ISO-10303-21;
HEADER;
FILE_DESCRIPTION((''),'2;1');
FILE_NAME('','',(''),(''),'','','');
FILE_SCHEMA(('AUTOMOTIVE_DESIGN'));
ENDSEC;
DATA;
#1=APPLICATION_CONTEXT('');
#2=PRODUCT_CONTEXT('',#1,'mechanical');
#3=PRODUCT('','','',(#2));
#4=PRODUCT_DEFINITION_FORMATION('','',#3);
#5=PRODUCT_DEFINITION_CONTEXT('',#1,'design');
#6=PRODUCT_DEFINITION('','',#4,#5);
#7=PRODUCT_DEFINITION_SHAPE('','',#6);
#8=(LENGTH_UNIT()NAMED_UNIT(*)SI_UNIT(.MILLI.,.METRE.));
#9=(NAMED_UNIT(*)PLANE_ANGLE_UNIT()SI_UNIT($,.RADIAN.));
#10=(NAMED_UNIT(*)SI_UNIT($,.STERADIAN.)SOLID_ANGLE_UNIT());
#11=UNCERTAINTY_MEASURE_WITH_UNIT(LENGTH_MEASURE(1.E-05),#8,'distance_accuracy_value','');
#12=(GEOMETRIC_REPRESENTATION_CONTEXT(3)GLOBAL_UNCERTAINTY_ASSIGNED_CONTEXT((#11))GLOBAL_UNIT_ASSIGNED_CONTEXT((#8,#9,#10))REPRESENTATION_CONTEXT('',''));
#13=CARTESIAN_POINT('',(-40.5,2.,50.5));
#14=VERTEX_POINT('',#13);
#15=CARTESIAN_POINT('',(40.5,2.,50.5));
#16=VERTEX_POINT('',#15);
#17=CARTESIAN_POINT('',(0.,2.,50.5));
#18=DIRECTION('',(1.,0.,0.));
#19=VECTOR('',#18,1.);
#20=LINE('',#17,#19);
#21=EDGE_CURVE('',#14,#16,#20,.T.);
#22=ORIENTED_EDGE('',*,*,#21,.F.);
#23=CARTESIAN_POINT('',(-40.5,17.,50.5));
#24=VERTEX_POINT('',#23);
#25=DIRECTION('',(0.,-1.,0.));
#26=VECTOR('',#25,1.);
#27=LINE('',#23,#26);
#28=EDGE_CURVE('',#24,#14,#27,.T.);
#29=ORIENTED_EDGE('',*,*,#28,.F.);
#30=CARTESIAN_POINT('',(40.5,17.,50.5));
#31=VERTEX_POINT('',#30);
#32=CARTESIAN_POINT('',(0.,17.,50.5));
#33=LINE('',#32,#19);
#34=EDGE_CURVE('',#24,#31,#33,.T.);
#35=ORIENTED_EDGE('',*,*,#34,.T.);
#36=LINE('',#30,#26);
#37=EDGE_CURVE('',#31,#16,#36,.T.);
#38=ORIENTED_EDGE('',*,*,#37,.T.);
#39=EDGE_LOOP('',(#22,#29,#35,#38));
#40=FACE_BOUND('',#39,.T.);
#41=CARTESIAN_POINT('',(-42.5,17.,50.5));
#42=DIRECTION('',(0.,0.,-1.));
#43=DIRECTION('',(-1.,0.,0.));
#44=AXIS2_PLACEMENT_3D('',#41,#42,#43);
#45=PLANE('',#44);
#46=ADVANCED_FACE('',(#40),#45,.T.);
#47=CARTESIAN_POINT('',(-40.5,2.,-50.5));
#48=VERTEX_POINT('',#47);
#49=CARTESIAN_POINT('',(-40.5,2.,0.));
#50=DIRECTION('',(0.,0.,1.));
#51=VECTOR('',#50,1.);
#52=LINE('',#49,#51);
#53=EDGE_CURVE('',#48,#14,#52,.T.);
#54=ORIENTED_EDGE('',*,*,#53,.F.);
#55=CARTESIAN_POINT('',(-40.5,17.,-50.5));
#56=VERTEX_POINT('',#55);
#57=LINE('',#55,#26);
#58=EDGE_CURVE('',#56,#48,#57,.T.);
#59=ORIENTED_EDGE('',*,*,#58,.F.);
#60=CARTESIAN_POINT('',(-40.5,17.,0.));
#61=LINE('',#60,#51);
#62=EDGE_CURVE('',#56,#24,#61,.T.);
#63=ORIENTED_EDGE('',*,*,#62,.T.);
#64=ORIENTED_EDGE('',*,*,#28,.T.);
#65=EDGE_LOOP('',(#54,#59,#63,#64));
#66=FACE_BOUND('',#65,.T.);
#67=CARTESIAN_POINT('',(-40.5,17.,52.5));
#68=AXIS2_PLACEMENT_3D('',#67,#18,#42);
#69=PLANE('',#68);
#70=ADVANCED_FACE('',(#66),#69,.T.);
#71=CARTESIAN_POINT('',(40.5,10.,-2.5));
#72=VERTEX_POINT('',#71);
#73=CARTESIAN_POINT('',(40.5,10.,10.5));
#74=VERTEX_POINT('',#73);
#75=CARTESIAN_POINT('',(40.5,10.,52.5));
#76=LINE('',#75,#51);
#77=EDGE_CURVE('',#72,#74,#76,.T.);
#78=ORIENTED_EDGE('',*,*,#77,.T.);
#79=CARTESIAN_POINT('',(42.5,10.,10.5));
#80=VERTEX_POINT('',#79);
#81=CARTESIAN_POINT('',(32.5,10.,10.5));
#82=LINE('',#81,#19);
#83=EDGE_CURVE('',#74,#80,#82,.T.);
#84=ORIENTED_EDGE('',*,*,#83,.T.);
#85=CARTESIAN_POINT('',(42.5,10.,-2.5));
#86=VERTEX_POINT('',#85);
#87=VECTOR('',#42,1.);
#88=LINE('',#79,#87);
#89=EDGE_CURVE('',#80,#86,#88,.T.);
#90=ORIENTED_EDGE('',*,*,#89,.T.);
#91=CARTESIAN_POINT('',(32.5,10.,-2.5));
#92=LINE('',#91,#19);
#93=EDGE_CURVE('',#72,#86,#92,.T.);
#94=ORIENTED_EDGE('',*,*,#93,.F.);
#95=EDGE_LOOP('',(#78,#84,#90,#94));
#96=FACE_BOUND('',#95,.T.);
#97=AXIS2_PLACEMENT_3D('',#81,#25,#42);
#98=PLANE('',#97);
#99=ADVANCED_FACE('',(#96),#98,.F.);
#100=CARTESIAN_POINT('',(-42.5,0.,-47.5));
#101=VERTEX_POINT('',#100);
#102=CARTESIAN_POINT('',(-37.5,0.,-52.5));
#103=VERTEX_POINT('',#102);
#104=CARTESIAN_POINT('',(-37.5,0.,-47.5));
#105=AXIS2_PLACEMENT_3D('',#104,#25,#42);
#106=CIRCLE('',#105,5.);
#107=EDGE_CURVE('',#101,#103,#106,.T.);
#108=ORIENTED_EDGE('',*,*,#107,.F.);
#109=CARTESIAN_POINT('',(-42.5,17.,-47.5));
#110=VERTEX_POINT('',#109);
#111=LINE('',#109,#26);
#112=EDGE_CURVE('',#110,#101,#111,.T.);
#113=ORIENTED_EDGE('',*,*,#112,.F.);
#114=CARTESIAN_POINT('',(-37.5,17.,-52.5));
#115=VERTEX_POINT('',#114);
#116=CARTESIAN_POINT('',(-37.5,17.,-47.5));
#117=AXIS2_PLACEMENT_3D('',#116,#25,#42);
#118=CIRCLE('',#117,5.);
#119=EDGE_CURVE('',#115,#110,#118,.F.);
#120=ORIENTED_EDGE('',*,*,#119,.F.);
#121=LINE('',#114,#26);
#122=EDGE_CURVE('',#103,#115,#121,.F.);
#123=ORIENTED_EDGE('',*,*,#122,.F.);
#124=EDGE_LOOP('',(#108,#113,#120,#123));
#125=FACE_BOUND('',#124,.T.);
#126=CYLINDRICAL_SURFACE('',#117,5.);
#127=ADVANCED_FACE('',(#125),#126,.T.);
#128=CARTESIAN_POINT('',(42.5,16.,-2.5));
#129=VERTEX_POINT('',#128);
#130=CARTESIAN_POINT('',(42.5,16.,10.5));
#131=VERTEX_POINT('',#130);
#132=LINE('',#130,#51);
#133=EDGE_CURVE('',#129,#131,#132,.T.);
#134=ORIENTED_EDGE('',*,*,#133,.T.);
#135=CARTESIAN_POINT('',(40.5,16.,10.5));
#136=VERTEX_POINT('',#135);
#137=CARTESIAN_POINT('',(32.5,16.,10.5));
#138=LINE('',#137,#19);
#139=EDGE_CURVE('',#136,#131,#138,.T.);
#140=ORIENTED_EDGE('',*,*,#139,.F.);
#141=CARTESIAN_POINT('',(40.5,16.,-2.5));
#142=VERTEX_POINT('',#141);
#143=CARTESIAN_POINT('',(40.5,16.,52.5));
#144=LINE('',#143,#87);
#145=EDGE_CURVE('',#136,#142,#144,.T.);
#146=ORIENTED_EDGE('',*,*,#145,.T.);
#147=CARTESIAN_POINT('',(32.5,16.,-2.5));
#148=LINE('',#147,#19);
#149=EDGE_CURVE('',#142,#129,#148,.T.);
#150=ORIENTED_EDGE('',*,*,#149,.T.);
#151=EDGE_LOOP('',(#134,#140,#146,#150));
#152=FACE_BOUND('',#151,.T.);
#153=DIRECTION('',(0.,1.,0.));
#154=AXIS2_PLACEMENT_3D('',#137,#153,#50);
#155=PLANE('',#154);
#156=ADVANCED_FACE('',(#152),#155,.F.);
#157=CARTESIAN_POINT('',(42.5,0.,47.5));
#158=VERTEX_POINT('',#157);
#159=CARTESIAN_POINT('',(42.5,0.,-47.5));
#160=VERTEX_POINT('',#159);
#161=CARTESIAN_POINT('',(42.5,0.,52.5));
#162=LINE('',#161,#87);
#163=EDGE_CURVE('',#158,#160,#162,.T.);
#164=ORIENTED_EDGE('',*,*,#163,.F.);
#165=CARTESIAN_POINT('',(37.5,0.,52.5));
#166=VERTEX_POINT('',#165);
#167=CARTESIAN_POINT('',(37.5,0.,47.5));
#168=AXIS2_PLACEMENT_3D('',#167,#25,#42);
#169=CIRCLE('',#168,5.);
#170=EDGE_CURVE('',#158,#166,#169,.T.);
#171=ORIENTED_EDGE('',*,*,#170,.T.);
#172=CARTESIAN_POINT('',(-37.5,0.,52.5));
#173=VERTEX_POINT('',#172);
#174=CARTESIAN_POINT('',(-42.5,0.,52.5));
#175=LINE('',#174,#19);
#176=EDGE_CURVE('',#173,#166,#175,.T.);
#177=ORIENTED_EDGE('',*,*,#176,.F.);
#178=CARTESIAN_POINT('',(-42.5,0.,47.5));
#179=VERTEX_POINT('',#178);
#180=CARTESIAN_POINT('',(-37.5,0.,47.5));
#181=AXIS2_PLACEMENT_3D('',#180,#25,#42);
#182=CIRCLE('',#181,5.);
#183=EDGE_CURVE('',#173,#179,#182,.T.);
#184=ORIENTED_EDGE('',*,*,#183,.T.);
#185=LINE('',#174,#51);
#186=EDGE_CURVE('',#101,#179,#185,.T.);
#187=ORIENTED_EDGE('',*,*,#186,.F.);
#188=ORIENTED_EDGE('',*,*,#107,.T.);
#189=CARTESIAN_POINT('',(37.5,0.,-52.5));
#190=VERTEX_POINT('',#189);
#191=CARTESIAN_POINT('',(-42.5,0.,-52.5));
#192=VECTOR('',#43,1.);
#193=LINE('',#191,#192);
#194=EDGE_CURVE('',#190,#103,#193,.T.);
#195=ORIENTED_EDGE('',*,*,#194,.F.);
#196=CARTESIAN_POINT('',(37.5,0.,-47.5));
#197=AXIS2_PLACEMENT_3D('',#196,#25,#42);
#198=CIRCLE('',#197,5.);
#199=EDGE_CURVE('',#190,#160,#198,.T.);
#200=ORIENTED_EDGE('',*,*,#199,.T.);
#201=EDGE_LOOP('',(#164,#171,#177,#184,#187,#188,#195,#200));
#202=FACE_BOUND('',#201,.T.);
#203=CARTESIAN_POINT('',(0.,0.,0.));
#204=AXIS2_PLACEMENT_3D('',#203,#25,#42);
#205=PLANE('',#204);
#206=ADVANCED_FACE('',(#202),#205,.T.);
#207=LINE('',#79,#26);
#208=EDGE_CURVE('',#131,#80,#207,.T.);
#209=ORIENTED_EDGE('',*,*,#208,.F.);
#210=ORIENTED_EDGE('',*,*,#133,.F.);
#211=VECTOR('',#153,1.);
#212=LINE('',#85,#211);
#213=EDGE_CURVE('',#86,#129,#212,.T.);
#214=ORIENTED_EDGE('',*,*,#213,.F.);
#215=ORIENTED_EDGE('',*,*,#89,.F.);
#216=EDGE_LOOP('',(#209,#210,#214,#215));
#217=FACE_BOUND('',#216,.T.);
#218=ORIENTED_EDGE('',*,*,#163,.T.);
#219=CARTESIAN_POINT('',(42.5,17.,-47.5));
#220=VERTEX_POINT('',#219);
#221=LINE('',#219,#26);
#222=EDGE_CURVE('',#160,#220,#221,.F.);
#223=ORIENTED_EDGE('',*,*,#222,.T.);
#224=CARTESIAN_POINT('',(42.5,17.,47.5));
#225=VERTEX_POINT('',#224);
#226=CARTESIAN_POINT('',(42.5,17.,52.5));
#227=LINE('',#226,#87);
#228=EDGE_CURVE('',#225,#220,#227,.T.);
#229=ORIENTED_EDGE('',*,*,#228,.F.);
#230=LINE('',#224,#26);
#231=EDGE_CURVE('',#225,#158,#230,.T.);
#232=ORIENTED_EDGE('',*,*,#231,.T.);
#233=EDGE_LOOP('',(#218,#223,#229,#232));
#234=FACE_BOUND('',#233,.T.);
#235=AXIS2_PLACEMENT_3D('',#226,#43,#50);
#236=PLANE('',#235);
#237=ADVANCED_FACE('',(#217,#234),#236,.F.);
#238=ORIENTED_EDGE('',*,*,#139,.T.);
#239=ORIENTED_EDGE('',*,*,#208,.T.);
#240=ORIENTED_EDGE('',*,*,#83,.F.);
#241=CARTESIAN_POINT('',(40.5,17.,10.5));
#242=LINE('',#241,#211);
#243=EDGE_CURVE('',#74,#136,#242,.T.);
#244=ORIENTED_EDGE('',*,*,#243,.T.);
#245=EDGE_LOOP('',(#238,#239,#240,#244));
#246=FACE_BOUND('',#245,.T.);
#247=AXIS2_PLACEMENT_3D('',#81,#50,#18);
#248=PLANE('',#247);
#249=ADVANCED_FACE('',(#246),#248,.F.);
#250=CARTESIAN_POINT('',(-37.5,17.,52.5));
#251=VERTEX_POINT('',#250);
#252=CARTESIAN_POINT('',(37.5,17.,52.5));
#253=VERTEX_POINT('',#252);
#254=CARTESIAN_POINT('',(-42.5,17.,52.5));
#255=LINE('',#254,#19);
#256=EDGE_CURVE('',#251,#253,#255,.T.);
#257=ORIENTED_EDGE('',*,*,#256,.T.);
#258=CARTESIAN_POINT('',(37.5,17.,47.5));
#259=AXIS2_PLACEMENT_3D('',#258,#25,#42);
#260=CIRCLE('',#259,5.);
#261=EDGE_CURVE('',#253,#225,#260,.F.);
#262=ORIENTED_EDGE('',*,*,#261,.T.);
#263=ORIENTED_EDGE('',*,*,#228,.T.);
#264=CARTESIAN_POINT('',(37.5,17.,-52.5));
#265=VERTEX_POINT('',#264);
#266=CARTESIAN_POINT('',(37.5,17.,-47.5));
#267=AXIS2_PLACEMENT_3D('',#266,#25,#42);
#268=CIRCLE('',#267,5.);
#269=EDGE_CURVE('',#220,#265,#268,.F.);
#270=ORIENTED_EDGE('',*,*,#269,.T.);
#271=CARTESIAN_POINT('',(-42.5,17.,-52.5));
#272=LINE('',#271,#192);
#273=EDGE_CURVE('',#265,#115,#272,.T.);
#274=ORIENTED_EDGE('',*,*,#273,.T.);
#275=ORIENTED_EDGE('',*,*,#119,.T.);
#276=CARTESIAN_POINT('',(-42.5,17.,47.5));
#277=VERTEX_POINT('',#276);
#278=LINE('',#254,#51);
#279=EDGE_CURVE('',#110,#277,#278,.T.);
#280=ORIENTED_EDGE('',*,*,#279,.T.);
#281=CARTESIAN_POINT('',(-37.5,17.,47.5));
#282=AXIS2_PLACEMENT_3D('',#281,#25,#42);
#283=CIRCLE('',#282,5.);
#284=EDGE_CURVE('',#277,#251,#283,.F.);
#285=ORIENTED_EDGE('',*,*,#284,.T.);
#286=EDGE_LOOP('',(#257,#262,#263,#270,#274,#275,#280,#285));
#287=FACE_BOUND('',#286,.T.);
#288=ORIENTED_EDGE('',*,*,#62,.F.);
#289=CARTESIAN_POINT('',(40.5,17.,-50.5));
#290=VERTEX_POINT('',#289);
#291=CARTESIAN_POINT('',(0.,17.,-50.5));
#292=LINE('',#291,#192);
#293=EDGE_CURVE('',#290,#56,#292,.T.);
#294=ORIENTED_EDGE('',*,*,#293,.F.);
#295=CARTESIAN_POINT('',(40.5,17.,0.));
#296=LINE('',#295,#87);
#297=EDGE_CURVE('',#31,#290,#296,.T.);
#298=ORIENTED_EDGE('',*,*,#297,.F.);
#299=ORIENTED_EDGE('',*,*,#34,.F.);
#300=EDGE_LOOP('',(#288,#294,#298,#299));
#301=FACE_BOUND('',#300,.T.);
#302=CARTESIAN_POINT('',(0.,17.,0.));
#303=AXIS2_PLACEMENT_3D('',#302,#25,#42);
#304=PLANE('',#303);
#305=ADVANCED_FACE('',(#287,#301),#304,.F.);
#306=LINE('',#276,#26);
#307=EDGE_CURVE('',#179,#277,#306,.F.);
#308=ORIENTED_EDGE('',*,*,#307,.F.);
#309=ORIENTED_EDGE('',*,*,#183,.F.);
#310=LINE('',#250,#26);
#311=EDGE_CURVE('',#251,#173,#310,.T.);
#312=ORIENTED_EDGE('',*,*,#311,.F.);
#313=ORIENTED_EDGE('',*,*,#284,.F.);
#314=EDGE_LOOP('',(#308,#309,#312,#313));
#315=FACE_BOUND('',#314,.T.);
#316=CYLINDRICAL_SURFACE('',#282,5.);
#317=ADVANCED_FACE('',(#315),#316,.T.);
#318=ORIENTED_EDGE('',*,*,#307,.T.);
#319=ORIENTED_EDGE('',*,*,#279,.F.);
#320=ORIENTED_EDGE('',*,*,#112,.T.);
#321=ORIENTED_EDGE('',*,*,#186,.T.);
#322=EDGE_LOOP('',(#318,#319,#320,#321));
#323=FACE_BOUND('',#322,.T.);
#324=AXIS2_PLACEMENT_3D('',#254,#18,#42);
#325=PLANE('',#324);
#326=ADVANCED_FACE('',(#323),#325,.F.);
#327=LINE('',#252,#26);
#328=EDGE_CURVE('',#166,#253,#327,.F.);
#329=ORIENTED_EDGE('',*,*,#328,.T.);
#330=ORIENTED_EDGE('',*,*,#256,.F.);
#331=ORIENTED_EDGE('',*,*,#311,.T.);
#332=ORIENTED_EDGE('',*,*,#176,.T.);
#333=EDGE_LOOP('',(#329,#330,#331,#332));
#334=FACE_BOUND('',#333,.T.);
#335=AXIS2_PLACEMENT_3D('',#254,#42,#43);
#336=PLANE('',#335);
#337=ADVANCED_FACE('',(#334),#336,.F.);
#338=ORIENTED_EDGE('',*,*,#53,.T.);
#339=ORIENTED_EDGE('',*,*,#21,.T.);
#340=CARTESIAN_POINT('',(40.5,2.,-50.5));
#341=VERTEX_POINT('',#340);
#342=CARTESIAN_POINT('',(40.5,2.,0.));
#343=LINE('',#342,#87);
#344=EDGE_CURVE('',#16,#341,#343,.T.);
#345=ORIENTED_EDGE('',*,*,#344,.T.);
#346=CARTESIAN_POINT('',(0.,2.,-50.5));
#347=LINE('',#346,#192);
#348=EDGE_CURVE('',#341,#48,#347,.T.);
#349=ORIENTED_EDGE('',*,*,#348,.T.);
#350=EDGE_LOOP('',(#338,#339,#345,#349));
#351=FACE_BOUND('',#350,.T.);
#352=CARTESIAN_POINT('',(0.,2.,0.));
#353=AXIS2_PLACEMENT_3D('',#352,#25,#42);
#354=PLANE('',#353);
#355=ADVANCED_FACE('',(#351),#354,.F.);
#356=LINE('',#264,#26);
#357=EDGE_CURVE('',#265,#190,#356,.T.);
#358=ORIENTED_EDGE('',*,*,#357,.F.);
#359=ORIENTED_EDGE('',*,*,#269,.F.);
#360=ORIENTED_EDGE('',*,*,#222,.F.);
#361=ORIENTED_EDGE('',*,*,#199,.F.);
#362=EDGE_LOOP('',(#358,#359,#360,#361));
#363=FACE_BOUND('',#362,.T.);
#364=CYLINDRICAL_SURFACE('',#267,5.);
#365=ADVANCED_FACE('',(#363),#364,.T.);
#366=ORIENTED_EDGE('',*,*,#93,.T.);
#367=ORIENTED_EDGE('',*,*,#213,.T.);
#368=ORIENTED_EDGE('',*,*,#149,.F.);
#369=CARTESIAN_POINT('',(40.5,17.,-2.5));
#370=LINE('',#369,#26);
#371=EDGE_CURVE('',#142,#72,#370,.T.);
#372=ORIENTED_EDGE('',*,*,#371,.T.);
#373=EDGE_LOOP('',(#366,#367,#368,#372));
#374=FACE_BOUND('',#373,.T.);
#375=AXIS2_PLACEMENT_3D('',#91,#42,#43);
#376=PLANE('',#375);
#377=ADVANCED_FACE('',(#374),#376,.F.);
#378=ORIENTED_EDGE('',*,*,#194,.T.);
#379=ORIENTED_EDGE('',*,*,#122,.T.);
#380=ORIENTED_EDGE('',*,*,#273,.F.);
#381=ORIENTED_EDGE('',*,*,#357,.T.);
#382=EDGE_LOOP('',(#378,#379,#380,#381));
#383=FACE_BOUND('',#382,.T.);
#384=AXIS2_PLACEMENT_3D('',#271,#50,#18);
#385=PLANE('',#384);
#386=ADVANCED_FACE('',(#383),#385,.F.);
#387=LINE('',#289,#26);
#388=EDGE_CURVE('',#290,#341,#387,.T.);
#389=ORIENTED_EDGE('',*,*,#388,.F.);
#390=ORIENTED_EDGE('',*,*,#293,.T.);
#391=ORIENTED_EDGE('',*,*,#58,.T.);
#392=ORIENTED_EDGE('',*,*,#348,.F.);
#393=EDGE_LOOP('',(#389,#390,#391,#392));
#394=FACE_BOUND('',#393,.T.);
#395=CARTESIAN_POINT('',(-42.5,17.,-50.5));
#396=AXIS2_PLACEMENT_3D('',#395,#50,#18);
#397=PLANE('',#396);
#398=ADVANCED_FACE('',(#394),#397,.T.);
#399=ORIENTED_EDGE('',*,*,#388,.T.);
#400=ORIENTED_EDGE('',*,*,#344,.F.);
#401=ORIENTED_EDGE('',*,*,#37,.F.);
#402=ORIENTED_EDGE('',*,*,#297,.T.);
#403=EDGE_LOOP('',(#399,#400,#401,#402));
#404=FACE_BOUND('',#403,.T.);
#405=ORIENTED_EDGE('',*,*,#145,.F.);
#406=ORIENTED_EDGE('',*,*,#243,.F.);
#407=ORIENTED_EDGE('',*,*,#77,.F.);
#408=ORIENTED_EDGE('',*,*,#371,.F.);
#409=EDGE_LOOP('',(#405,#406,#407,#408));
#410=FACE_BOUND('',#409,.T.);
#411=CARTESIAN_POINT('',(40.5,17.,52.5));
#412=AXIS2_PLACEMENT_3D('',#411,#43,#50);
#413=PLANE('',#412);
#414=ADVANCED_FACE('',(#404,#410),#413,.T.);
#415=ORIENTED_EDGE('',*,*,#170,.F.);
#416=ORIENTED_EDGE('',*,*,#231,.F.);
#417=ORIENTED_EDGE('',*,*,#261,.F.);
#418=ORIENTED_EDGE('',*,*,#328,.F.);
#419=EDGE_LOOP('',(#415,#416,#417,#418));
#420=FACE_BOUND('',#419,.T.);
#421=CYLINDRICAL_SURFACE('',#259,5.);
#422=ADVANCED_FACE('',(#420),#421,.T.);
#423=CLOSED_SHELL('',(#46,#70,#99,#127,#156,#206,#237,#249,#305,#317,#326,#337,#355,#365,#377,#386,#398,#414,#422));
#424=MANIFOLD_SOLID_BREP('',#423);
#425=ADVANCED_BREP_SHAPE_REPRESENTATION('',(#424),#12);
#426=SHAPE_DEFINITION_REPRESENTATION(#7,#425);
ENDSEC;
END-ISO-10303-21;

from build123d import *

# Parameters (mm, degrees)
SKETCH1_W           = 85
SKETCH1_H           = 105
BOSS_EXTRUDE1_DEPTH = 17
SHELL1_T            = -2
SKETCH3_W           = 13
SKETCH3_H           = 6
CUT_EXTRUDE1_DEPTH  = 10
FILLET1_R           = 5


with BuildPart() as part:
    # Sketch1 → Boss-Extrude1 (new body)
    with BuildSketch(Plane(origin=(0, 0, 0), x_dir=(1, 0, 0), z_dir=(0, 1, 0))):
        Rectangle(SKETCH1_W, SKETCH1_H)
    extrude(amount=BOSS_EXTRUDE1_DEPTH)

    # Shell1
    shell1_openings = [part.faces().sort_by_distance(p)[0] for p in [
        (0, 17, 0),
    ]]
    offset(amount=SHELL1_T, openings=shell1_openings, kind=Kind.INTERSECTION)

    # Sketch3 → Cut-Extrude1 (cut)
    with BuildSketch(Plane(origin=(42.5, 0, 0), x_dir=(0, 0, -1), z_dir=(1, 0, 0))):
        with Locations((-4, 13)):
            Rectangle(SKETCH3_W, SKETCH3_H)
    extrude(amount=-CUT_EXTRUDE1_DEPTH, mode=Mode.SUBTRACT)

    # Fillet1
    fillet1_edges = [part.edges().sort_by_distance(p)[0] for p in [
        (42.5, 8.5, 52.5),
        (-42.5, 8.5, 52.5),
        (-42.5, 8.5, -52.5),
        (42.5, 8.5, -52.5),
    ]]
    fillet(fillet1_edges, radius=FILLET1_R)


solid = part.part
